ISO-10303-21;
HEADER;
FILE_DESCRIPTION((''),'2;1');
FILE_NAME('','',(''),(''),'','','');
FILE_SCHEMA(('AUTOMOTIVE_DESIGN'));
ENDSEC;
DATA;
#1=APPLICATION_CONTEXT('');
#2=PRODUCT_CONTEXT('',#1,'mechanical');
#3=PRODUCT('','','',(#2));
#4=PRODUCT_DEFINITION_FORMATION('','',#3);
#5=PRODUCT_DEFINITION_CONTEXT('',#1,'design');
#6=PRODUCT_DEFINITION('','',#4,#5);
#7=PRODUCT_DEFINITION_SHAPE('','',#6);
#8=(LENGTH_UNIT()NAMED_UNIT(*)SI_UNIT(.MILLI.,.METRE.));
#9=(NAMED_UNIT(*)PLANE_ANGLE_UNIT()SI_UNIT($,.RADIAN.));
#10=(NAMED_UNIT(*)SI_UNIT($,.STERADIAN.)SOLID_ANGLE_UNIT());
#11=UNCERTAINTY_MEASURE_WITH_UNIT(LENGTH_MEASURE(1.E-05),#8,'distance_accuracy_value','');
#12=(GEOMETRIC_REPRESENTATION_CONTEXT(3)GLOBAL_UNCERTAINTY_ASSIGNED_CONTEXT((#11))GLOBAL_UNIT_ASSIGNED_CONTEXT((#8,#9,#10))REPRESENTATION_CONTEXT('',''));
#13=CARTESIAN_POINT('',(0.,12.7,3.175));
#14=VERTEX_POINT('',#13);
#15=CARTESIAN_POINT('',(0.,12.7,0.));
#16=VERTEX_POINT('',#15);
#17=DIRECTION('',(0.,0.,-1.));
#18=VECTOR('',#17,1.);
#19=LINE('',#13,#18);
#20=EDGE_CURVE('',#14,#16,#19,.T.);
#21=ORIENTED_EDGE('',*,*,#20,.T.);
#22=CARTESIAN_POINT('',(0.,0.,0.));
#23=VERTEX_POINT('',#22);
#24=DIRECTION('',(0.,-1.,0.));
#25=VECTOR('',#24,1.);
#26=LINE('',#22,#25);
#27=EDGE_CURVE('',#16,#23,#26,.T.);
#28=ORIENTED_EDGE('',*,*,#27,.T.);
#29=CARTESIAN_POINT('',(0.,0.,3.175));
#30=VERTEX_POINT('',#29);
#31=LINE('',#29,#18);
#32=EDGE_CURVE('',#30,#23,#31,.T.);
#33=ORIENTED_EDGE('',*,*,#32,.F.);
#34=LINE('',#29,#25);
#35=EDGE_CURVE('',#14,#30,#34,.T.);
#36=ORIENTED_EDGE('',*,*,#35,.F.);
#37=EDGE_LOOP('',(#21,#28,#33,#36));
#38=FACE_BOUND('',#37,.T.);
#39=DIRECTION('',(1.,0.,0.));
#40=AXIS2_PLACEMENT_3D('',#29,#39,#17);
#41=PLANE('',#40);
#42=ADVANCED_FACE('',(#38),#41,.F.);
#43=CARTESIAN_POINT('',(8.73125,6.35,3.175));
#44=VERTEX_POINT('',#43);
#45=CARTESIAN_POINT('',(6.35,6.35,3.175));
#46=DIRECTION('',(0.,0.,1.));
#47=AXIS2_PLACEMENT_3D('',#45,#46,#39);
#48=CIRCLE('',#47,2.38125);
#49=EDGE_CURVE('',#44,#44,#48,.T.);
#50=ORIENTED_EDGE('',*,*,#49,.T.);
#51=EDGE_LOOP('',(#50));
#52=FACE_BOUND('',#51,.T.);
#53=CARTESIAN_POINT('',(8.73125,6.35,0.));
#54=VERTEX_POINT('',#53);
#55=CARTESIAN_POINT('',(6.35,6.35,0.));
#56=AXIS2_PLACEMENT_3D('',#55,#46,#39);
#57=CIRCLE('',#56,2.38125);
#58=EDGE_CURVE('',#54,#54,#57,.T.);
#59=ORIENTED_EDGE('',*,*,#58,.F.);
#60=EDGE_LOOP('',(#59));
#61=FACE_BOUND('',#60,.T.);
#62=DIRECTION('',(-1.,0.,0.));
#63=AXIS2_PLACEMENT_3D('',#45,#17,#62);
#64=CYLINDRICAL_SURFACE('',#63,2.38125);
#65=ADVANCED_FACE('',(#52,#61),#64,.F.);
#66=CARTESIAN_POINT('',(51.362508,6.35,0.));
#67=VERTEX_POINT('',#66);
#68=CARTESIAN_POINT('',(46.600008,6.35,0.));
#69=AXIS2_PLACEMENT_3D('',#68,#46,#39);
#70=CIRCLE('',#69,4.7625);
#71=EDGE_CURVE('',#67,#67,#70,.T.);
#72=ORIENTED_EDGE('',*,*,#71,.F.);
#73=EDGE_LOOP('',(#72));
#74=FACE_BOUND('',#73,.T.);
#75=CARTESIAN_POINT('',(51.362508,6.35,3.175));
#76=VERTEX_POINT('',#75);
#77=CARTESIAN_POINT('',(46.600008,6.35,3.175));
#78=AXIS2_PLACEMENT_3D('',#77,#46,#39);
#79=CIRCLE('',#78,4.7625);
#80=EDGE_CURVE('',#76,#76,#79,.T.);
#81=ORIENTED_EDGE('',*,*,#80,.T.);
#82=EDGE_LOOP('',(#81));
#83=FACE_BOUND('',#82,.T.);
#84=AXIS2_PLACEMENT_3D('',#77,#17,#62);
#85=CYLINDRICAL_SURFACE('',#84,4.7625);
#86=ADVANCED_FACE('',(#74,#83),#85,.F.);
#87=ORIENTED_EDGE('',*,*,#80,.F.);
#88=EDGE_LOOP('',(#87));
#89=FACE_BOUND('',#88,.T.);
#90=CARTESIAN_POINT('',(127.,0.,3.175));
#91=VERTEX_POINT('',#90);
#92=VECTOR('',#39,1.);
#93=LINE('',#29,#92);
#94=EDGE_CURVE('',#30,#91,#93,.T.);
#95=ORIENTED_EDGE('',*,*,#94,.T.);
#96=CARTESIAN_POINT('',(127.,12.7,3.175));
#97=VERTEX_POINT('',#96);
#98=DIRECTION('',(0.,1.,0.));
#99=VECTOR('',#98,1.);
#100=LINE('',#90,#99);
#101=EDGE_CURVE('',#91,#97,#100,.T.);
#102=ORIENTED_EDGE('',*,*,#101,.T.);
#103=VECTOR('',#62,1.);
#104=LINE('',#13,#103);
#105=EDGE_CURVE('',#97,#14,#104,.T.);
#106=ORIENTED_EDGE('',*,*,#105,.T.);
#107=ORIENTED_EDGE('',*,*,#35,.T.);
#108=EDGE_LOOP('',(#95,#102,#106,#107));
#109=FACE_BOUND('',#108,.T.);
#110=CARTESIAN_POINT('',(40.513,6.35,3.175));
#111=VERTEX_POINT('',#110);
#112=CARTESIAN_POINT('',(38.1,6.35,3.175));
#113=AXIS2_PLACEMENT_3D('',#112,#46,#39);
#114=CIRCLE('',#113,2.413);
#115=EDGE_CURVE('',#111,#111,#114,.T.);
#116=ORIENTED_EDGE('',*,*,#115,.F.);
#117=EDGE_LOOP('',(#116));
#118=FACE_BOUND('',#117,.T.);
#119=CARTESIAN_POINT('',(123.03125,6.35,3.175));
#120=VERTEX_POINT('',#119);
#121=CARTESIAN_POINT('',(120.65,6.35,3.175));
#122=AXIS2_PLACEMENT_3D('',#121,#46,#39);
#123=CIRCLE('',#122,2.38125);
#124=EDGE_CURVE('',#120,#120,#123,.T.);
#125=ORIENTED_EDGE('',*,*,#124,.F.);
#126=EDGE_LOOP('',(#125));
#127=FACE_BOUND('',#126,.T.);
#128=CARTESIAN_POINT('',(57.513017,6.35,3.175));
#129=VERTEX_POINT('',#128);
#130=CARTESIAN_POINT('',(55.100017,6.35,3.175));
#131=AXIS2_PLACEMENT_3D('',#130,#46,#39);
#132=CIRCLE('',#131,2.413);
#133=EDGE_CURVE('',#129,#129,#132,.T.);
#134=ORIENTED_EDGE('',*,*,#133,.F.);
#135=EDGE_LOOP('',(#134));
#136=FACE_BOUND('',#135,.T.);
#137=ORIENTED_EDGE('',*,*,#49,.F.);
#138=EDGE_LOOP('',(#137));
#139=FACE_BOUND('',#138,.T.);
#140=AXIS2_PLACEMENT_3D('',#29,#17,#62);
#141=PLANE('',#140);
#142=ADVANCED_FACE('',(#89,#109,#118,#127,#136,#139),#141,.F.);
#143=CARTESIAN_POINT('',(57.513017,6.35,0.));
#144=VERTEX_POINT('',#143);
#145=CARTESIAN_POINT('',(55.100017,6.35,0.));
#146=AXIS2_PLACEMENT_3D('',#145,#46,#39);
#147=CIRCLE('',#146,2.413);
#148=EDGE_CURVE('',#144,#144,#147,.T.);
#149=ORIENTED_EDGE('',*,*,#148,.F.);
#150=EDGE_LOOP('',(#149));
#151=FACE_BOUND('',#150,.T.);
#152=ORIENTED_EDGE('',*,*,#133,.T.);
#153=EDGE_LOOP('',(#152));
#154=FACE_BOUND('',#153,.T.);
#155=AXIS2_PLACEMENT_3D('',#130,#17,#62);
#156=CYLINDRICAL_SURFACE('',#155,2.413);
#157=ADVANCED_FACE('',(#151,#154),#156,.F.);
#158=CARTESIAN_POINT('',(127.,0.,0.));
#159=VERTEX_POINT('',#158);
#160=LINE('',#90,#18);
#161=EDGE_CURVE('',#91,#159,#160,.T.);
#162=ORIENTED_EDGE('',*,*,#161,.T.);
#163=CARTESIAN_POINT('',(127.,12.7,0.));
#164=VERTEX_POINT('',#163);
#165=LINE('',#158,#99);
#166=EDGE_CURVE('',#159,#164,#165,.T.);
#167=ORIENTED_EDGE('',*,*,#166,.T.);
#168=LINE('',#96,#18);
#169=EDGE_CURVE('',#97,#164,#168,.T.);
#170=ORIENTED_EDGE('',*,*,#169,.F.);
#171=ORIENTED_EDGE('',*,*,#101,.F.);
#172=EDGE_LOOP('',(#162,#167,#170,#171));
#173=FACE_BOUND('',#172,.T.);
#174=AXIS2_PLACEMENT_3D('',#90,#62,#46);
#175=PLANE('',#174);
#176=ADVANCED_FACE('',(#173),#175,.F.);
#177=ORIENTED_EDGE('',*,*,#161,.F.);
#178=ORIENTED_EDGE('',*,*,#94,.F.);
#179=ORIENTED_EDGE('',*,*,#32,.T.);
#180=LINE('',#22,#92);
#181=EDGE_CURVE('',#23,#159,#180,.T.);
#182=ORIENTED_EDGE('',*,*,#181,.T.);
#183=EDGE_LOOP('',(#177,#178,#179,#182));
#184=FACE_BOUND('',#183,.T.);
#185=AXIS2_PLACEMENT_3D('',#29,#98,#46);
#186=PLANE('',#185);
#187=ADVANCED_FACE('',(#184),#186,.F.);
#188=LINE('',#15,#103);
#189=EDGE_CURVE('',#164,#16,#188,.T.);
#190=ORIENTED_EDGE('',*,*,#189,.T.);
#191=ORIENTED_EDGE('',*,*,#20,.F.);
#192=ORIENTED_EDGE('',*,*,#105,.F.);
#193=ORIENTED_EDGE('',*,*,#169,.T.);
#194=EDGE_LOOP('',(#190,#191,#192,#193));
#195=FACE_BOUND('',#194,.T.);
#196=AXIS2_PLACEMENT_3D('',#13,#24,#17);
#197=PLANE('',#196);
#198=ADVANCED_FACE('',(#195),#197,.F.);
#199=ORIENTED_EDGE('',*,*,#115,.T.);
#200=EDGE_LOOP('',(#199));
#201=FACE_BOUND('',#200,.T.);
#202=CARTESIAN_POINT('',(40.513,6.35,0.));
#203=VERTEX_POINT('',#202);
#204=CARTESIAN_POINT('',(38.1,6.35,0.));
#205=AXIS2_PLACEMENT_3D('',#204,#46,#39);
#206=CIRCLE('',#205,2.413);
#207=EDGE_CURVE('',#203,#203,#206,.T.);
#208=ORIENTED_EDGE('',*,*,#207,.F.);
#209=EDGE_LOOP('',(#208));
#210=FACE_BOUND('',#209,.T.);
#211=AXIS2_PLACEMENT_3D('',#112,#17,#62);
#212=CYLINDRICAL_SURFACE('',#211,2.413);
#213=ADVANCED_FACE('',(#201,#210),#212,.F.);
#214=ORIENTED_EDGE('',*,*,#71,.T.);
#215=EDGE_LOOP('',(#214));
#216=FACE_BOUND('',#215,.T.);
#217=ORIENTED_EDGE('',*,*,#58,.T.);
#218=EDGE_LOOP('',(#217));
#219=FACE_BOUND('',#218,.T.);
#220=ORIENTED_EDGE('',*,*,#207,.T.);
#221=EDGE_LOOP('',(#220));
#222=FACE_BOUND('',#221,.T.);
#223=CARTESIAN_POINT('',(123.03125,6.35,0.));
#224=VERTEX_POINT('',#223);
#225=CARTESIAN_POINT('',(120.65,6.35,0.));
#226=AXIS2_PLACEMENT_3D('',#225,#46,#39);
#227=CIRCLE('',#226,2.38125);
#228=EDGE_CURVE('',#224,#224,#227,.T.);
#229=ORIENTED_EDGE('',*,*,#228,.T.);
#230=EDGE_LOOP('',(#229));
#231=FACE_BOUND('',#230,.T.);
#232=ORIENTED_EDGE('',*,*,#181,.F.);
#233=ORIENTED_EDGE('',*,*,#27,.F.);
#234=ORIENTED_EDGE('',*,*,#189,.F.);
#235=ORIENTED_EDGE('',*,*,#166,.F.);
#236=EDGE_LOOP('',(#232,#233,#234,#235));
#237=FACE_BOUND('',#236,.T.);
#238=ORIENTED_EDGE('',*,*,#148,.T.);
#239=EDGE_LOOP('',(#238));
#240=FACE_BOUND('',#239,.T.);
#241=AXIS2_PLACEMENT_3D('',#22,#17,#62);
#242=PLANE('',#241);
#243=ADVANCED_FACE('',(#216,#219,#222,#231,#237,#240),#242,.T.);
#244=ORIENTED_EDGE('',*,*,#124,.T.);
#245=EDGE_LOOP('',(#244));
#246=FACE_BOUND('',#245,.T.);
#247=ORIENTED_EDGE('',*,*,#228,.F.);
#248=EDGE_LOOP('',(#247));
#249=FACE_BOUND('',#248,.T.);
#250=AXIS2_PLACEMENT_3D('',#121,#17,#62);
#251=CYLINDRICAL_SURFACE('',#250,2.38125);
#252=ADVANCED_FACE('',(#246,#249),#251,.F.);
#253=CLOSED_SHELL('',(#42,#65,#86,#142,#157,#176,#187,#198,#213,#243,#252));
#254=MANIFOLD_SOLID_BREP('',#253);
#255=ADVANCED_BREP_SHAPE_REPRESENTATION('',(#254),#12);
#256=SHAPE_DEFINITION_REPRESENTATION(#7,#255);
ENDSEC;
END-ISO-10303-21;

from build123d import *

# Parameters (mm, degrees)
SKETCH1_W           = 127
SKETCH1_H           = 12.7
SKETCH1_R           = 2.413
SKETCH1_R_2         = 2.38125
SKETCH1_R_3         = 4.7625
BOSS_EXTRUDE1_DEPTH = 3.175


with BuildPart() as part:
    # Sketch1 → Boss-Extrude1 (new body)
    with BuildSketch(Plane.XY):
        with Locations((63.5, 6.35)):
            Rectangle(SKETCH1_W, SKETCH1_H)
        with Locations((38.1, 6.35)):
            Circle(SKETCH1_R, mode=Mode.SUBTRACT)
        with Locations((55.1000168, 6.35)):
            Circle(SKETCH1_R, mode=Mode.SUBTRACT)
        with Locations((6.35, 6.35)):
            Circle(SKETCH1_R_2, mode=Mode.SUBTRACT)
        with Locations((120.65, 6.35)):
            Circle(SKETCH1_R_2, mode=Mode.SUBTRACT)
        with Locations((46.6000084, 6.35)):
            Circle(SKETCH1_R_3, mode=Mode.SUBTRACT)
    extrude(amount=BOSS_EXTRUDE1_DEPTH)


solid = part.part
